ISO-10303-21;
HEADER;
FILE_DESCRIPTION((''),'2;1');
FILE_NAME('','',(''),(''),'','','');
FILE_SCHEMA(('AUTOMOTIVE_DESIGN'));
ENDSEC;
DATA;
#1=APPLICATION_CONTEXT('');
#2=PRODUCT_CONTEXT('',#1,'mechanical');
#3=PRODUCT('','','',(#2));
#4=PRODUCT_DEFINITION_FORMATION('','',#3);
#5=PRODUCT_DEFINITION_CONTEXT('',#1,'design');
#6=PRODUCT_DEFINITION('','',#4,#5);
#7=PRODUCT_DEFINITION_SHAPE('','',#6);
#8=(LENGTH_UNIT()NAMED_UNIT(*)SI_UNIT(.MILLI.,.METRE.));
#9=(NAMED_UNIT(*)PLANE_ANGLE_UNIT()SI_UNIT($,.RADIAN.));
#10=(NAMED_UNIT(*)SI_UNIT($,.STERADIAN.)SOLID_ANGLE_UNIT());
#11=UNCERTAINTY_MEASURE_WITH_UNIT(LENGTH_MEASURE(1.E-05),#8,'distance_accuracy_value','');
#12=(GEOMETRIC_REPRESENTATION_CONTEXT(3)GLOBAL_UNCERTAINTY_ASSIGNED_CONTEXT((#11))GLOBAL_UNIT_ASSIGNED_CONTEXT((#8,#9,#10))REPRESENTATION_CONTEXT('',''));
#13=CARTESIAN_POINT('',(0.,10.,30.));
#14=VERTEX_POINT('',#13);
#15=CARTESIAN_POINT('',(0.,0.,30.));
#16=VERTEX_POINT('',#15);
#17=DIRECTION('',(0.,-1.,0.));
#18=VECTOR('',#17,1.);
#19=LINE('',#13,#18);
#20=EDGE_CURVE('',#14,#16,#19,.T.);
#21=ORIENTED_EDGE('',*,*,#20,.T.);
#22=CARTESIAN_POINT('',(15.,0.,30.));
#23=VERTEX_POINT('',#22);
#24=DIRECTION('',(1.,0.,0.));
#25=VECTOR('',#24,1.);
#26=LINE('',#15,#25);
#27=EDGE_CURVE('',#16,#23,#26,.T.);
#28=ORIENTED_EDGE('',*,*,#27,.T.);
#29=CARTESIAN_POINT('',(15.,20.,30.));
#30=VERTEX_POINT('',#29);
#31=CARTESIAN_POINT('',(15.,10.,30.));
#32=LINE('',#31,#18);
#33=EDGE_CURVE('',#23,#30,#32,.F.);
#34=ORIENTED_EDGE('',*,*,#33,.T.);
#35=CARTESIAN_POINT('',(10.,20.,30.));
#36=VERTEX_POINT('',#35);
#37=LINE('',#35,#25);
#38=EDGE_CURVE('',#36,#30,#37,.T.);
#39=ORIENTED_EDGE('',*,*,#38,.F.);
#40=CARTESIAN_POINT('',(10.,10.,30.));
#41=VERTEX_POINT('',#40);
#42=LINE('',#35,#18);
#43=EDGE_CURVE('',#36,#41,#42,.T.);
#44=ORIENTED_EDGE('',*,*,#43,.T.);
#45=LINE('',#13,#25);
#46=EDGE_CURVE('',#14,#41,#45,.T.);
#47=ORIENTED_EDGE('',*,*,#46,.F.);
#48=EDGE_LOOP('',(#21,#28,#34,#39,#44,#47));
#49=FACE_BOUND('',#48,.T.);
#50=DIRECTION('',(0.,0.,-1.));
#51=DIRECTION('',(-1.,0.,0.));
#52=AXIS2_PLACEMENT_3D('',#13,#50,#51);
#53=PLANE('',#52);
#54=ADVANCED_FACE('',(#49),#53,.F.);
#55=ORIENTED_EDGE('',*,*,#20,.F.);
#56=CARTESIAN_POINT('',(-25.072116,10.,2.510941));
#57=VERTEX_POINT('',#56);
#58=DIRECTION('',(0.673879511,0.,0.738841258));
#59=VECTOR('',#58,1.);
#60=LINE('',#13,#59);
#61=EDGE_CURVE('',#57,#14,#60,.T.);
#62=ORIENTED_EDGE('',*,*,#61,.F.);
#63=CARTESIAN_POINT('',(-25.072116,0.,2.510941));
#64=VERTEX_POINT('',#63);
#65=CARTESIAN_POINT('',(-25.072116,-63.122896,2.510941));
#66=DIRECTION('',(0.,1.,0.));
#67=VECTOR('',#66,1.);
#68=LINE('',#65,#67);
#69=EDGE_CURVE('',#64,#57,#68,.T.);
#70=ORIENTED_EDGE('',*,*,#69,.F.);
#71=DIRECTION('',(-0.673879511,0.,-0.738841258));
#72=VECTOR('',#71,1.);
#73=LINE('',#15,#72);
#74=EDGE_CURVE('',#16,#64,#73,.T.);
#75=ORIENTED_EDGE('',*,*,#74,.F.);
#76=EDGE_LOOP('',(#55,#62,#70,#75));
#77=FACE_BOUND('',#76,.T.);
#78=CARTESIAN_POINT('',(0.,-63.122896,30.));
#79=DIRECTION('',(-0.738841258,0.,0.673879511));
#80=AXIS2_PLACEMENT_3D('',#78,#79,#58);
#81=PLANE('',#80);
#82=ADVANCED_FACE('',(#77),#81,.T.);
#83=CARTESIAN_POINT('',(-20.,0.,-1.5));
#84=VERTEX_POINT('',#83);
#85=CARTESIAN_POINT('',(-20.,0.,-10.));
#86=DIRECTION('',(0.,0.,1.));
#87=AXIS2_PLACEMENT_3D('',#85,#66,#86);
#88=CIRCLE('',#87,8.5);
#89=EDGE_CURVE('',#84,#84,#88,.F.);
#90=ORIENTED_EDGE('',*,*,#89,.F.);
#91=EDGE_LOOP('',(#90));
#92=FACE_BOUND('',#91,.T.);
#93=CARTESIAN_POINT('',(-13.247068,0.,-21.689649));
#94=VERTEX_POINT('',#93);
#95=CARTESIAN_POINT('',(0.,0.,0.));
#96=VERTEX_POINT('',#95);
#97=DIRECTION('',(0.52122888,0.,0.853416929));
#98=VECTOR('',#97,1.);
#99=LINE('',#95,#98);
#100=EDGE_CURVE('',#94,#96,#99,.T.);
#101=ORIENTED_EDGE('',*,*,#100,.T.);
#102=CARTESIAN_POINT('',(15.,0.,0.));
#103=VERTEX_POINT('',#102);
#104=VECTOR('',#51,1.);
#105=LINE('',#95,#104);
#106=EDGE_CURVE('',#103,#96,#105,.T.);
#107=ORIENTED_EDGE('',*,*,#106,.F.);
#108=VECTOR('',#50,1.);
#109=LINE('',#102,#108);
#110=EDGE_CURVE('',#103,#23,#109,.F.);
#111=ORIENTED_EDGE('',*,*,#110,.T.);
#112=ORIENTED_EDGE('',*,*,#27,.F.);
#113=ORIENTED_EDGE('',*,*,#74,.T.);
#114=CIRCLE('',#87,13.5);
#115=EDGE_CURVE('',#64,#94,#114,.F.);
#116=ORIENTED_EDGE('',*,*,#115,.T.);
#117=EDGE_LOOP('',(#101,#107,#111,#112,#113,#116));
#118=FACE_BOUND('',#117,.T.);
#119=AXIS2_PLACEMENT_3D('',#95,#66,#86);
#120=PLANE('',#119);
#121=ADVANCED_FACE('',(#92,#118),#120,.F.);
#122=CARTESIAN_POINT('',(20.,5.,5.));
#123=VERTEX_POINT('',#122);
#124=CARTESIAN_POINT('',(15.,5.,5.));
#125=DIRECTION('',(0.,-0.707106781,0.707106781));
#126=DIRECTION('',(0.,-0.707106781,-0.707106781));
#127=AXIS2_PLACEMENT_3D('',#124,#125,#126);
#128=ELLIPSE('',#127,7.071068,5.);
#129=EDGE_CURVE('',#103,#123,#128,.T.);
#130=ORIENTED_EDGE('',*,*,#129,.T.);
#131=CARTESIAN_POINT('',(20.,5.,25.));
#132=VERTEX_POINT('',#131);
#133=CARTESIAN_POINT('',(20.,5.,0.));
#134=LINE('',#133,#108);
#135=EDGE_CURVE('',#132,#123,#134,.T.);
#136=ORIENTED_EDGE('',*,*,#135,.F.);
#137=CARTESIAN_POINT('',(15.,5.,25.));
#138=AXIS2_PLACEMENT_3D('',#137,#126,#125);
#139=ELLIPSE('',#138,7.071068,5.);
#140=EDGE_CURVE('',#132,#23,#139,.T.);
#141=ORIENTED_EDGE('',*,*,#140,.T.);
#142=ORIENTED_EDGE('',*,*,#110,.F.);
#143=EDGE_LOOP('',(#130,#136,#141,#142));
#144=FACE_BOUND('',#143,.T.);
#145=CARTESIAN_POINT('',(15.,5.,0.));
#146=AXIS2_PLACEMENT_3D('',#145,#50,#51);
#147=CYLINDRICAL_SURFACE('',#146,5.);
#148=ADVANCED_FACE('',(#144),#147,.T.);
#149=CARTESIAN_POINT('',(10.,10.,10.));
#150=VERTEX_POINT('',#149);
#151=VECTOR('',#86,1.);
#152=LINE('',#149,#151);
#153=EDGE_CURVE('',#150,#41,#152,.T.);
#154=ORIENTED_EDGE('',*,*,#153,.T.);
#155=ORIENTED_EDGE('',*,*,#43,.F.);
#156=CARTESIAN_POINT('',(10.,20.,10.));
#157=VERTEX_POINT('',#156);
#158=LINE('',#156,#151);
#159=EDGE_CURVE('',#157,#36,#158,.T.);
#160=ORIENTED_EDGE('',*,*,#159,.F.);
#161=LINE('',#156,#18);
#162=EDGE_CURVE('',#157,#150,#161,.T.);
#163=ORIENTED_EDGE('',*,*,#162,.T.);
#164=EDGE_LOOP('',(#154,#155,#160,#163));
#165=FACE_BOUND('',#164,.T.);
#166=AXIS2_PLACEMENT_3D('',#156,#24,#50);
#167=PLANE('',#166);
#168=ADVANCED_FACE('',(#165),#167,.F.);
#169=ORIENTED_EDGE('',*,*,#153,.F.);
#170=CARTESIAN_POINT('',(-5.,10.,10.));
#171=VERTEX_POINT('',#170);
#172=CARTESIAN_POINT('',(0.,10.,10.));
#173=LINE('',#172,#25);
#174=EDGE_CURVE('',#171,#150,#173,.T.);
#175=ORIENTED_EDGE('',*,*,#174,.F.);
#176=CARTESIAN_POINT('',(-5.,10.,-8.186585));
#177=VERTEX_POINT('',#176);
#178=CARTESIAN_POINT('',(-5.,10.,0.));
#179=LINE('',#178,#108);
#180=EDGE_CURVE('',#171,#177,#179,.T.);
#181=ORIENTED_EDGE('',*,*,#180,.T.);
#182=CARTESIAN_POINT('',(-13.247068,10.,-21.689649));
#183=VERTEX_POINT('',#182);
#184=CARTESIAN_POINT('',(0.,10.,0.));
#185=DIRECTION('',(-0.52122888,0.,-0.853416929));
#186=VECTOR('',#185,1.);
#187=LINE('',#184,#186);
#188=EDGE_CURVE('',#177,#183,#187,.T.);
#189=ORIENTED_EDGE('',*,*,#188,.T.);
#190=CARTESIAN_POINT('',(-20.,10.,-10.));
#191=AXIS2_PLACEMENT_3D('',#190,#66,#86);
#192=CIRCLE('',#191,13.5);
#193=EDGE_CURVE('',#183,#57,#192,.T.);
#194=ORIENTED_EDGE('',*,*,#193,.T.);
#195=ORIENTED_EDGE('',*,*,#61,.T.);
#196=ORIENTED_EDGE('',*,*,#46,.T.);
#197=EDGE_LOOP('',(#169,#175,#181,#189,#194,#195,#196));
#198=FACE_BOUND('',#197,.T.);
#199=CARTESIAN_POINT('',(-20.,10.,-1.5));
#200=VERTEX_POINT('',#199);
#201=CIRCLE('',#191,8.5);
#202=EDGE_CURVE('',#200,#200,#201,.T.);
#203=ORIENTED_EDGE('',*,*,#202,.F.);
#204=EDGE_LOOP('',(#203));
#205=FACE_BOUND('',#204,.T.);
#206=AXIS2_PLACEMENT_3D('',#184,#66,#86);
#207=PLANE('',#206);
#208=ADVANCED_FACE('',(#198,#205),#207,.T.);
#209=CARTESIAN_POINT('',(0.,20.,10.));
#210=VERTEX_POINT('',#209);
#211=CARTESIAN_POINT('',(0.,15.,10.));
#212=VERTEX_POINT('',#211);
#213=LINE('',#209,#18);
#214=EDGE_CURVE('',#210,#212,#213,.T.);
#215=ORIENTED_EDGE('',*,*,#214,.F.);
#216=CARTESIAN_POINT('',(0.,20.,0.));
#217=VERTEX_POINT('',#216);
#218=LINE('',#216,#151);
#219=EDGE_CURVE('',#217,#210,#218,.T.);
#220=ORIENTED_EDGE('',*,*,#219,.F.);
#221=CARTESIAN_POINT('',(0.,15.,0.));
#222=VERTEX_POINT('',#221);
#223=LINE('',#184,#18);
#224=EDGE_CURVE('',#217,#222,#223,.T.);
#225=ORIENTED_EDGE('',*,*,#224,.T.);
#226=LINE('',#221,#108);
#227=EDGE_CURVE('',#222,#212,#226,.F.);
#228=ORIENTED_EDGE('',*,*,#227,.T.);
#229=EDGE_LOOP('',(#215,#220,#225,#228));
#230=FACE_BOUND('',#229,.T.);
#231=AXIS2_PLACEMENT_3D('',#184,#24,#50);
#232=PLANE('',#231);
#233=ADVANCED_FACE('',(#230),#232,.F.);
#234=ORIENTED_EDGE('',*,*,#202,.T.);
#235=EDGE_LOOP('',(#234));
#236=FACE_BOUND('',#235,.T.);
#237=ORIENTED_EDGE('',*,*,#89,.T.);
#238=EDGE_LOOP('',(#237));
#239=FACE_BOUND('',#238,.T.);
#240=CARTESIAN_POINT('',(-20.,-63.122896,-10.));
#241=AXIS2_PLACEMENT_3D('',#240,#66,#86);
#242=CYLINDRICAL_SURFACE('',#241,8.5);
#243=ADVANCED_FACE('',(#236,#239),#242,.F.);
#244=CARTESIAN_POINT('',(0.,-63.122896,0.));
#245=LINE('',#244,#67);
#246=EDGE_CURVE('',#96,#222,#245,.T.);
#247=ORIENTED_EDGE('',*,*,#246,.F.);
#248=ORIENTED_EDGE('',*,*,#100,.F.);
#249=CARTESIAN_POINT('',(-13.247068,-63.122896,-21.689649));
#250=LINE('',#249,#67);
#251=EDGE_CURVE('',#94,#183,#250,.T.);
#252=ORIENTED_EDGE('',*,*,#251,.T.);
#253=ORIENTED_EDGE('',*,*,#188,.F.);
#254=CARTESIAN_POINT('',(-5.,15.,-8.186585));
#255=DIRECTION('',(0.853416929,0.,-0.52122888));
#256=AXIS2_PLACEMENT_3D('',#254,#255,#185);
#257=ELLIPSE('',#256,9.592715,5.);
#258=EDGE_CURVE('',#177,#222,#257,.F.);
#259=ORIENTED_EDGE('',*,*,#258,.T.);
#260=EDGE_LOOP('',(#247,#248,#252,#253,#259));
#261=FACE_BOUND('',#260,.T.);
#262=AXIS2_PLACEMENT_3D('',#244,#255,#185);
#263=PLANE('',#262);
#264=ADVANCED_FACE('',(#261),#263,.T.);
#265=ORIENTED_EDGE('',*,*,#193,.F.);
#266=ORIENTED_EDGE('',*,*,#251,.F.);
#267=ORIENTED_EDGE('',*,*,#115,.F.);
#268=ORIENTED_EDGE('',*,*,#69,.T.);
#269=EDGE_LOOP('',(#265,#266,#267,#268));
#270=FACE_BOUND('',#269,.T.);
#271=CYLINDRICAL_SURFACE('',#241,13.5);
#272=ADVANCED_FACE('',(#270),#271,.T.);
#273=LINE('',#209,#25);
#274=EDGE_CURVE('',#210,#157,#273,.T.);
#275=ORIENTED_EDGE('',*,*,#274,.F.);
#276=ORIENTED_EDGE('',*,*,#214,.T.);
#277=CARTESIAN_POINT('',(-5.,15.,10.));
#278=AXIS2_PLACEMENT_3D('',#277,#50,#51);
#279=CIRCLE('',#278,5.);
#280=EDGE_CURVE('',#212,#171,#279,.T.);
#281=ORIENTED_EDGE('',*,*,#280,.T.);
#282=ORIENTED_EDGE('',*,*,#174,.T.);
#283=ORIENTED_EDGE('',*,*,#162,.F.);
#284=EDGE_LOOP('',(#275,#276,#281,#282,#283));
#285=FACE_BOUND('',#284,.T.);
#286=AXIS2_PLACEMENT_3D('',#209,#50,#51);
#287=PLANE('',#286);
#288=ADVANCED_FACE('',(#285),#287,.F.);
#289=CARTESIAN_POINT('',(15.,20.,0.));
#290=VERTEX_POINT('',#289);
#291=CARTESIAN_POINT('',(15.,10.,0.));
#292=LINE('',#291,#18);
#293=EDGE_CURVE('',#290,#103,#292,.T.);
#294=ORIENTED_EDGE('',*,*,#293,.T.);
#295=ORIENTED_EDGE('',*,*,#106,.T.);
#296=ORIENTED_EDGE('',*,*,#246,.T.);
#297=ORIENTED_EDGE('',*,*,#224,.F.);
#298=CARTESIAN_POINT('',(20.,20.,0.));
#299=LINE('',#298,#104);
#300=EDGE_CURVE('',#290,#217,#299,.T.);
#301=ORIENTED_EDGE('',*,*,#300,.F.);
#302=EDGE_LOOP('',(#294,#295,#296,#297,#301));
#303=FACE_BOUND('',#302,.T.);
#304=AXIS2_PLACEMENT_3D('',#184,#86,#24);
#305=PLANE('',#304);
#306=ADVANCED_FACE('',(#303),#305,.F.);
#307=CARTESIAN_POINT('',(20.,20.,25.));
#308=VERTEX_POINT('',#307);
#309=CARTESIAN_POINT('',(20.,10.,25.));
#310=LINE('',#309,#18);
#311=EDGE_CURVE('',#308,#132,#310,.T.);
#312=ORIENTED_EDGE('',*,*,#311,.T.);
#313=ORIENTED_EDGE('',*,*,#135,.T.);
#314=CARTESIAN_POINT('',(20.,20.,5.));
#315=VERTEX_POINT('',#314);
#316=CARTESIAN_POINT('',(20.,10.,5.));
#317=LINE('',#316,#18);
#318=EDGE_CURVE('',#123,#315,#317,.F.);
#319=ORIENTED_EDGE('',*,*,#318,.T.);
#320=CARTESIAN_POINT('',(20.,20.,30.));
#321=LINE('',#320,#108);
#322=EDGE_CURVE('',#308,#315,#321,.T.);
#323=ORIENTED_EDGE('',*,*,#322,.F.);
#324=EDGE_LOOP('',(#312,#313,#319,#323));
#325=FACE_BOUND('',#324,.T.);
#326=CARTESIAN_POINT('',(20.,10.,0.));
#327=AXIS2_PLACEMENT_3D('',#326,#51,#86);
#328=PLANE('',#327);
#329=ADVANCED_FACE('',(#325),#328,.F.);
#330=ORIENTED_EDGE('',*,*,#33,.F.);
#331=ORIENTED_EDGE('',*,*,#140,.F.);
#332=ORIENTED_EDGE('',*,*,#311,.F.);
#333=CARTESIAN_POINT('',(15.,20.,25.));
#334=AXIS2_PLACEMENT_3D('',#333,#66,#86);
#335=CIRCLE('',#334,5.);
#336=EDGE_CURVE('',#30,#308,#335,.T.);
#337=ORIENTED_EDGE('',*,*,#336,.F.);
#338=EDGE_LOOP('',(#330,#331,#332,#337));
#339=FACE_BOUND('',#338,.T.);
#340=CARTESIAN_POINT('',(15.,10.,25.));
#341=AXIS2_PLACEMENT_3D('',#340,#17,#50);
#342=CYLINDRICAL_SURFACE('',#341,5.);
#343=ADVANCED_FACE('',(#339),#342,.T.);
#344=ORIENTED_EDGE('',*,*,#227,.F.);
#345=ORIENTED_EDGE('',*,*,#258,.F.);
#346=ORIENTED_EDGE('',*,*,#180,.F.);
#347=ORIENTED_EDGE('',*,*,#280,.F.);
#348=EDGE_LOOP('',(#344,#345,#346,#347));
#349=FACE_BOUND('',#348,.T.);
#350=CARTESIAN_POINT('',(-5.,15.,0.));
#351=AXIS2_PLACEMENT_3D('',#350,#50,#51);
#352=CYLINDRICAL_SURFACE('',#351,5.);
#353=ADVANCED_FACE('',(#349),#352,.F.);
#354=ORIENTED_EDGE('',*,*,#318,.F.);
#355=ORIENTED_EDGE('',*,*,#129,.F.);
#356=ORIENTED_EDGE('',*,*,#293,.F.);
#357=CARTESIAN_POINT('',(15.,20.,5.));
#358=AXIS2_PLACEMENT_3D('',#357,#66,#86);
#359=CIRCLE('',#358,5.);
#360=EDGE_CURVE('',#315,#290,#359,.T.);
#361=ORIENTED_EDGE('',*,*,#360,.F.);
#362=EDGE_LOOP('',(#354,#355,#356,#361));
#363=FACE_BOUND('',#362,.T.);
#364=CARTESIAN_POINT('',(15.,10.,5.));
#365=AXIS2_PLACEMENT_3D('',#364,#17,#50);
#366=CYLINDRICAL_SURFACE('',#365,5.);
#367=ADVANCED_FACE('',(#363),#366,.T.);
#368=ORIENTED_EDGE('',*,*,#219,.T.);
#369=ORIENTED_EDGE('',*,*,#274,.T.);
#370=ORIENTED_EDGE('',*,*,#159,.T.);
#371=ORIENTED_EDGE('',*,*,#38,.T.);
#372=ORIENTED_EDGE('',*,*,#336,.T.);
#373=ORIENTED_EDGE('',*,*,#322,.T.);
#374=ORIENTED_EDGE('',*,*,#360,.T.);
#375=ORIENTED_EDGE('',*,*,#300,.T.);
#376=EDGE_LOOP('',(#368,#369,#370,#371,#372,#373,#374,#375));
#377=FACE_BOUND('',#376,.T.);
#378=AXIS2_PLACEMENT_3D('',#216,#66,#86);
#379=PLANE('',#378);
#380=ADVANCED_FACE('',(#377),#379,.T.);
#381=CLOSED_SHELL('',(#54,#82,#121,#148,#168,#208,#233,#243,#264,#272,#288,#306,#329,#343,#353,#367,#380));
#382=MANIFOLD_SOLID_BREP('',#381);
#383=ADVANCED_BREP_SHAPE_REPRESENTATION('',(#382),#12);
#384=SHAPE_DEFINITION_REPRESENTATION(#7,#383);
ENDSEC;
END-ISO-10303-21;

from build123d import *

# Parameters (mm, degrees)
SKETCH1_W           = 20
SKETCH1_H           = 30
BOSS_EXTRUDE1_DEPTH = 10
BOSS_EXTRUDE2_DEPTH = 10
SKETCH4_R           = 8.5
BOSS_EXTRUDE3_DEPTH = 10
FILLET1_R           = 5


with BuildPart() as part:
    # Sketch1 → Boss-Extrude1 (new body)
    with BuildSketch(Plane(origin=(0, 0, 0), x_dir=(1, 0, 0), z_dir=(0, 1, 0))):
        with Locations((10, -15)):
            Rectangle(SKETCH1_W, SKETCH1_H)
    extrude(amount=BOSS_EXTRUDE1_DEPTH)

    # Sketch2 → Boss-Extrude2 (add)
    with BuildSketch(Plane(origin=(0, 10, 0), x_dir=(1, 0, 0), z_dir=(0, 1, 0))):
        Polygon((0, 0), (0, -10), (10, -10), (10, -30), (20, -30), (20, 0), align=None)
    extrude(amount=BOSS_EXTRUDE2_DEPTH)

    # Sketch4 → Boss-Extrude3 (add)
    with BuildSketch(Plane(origin=(0, 10, 0), x_dir=(1, 0, 0), z_dir=(0, 1, 0))):
        with BuildLine():
            Line((0, 0), (-13.247067503, 21.689649383))
            ThreePointArc((-13.247067503, 21.689649383), (-32.129444614, 15.92676753), (-25.072116083, -2.510940749))
            Line((-25.072116083, -2.510940749), (0, -30))
            Line((0, -30), (0, 0))
        make_face()
        with Locations(Location((-20, 10, 0), (0, 0, 270))):
            Circle(SKETCH4_R, mode=Mode.SUBTRACT)
    extrude(amount=-BOSS_EXTRUDE3_DEPTH)

    # Fillet1
    fillet1_edges = [part.edges().sort_by_distance(p)[0] for p in [
        (0, 10, 5),
        (20, 0, 15),
        (20, 10, 0),
        (20, 10, 30),
    ]]
    fillet(fillet1_edges, radius=FILLET1_R)


solid = part.part
